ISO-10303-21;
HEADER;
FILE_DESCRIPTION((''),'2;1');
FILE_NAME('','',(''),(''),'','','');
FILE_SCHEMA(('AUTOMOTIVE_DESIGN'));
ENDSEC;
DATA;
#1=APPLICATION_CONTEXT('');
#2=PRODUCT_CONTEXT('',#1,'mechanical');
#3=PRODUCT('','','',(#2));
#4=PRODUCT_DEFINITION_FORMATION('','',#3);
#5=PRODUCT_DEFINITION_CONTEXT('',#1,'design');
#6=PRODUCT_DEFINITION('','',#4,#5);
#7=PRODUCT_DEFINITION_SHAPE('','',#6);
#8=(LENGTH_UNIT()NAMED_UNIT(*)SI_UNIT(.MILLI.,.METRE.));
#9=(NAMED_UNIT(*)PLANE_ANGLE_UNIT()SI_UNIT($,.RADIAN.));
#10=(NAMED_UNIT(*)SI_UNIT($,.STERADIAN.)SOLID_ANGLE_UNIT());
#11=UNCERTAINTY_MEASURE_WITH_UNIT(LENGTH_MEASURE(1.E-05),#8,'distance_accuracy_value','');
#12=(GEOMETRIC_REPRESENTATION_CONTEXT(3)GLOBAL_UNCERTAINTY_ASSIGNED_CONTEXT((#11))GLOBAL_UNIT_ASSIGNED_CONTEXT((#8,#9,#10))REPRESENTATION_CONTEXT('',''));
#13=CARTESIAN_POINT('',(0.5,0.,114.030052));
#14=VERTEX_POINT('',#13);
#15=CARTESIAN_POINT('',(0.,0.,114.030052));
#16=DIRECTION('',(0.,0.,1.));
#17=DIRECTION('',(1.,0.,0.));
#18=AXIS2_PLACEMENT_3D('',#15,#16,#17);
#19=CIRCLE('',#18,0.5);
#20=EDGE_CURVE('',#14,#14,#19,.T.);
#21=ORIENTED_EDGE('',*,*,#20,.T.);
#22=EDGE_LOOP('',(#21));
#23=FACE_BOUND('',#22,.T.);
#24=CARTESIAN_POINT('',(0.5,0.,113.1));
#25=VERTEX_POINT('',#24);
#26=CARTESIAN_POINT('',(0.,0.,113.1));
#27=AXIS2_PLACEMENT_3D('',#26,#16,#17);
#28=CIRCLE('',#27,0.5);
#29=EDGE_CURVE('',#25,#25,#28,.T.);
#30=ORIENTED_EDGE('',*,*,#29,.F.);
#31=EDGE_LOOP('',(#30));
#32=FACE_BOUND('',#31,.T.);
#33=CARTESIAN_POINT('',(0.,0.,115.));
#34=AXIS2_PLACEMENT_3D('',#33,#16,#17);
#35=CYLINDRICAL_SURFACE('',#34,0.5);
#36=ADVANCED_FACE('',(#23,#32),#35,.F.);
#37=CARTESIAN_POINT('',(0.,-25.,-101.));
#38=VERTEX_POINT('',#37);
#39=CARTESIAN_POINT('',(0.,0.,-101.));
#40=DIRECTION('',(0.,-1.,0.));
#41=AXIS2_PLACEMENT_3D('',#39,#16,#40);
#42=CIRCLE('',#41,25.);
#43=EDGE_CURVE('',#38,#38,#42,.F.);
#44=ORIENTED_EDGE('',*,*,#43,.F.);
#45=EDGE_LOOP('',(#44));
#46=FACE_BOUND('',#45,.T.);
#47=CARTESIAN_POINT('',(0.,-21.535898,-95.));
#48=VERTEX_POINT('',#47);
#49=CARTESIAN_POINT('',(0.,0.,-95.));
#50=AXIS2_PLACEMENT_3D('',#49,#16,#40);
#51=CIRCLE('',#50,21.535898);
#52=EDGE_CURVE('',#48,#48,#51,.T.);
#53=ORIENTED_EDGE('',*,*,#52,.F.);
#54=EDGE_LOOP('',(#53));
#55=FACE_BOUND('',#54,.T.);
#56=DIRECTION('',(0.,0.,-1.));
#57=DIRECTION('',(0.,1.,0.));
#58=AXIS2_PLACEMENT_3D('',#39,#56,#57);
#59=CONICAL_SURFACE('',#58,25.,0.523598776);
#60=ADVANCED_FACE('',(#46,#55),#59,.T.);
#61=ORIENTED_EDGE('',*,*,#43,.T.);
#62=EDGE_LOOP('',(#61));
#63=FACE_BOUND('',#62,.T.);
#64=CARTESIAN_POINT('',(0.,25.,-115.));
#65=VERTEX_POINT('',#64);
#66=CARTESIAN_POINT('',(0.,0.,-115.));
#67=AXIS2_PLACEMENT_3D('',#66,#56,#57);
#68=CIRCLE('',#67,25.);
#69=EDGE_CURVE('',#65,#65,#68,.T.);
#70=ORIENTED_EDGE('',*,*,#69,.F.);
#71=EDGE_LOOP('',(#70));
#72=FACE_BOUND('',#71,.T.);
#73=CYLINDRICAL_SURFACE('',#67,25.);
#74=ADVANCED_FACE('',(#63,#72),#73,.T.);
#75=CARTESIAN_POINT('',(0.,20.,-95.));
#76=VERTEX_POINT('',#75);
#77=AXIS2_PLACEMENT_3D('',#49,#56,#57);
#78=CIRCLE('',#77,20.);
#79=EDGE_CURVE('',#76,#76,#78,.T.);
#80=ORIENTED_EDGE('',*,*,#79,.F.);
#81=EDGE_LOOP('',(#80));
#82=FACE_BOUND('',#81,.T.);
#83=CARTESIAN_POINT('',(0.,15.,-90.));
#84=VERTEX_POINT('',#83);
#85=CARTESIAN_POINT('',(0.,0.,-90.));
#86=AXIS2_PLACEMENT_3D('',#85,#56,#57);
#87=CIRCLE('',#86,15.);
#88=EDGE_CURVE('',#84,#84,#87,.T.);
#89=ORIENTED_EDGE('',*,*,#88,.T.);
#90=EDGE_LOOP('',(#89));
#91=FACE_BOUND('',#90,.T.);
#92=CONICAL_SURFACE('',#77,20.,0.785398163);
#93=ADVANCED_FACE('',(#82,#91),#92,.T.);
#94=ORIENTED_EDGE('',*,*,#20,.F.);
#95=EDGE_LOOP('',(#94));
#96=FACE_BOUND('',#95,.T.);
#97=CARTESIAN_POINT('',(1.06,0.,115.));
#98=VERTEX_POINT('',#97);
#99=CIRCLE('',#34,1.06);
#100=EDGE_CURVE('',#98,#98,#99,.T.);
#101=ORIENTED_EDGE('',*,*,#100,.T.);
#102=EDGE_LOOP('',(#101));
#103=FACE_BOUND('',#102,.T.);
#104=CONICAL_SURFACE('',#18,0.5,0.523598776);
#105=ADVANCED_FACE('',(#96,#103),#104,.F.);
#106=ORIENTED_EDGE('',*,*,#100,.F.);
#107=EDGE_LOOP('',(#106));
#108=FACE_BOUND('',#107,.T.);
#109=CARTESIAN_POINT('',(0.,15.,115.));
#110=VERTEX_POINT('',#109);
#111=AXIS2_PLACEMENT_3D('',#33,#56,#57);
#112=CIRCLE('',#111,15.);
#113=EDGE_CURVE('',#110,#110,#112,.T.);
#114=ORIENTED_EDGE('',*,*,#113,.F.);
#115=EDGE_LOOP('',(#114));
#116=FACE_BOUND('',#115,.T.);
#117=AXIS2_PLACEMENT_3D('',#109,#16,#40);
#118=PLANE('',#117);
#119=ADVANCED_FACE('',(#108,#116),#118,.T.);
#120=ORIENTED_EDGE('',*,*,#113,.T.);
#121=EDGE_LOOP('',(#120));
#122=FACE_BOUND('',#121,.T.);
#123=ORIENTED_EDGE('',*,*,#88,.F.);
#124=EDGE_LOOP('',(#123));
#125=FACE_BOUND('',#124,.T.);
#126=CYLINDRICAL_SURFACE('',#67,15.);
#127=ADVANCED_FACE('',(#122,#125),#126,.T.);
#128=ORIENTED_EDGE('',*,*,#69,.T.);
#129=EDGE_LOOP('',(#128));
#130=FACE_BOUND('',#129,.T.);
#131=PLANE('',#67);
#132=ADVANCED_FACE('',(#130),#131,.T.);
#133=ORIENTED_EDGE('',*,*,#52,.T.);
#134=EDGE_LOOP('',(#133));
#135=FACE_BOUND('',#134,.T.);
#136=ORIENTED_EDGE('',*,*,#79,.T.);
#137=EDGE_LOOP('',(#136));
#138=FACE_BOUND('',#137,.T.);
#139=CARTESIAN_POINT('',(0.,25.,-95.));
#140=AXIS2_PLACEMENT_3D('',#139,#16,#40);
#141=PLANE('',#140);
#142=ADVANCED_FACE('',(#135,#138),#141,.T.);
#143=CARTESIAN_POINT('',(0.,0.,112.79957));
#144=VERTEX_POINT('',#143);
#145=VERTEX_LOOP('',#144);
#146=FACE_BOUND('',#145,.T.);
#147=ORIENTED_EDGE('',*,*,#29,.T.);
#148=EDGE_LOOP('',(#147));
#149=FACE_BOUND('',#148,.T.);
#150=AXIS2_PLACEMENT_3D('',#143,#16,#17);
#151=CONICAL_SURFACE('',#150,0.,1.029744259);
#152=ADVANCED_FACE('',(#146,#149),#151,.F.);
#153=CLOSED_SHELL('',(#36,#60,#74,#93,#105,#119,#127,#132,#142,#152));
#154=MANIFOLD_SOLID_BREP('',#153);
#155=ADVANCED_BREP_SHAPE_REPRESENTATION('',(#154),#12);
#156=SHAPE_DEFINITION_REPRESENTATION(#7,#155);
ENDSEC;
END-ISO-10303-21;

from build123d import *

# Parameters (mm, degrees)
FASE1_SIZE  = 6
FASE1_SIZE2 = 3.464101615


with BuildPart() as part:
    # Skizze1 → Rotation1 (revolve)
    with BuildSketch(Plane(origin=(0, 0, 0), x_dir=(0, 0, -1), z_dir=(1, 0, 0))):
        Polygon((115, 0), (115, 25), (95, 25), (95, 20), (90, 15), (-115, 15), (-115, 0), align=None)
    revolve(axis=Axis((0, 0, -115), (0, 0, 1)))

    # Fase1
    fase1_edges = [part.edges().sort_by_distance(p)[0] for p in [
        (0, -25, -95),
    ]]
    fase1_side = [part.faces().sort_by_distance(p)[0] for p in [
        (0, -25, -105),
    ]]
    chamfer(fase1_edges, length=FASE1_SIZE, length2=FASE1_SIZE2, reference=fase1_side[0])

    # Skizze3 → Schnitt-Rotation1 (revolve, cut)
    with BuildSketch(Plane(origin=(0, 0, 115), x_dir=(1, 0, 0), z_dir=(0, -1, 0))):
        Polygon((0, -2.20043031), (0.5, -1.9), (0.5, -0.969948452), (1.06, 0), (0, 0), align=None)
    revolve(axis=Axis((0, 0, 115), (0, 0, -1)), mode=Mode.SUBTRACT)


solid = part.part
